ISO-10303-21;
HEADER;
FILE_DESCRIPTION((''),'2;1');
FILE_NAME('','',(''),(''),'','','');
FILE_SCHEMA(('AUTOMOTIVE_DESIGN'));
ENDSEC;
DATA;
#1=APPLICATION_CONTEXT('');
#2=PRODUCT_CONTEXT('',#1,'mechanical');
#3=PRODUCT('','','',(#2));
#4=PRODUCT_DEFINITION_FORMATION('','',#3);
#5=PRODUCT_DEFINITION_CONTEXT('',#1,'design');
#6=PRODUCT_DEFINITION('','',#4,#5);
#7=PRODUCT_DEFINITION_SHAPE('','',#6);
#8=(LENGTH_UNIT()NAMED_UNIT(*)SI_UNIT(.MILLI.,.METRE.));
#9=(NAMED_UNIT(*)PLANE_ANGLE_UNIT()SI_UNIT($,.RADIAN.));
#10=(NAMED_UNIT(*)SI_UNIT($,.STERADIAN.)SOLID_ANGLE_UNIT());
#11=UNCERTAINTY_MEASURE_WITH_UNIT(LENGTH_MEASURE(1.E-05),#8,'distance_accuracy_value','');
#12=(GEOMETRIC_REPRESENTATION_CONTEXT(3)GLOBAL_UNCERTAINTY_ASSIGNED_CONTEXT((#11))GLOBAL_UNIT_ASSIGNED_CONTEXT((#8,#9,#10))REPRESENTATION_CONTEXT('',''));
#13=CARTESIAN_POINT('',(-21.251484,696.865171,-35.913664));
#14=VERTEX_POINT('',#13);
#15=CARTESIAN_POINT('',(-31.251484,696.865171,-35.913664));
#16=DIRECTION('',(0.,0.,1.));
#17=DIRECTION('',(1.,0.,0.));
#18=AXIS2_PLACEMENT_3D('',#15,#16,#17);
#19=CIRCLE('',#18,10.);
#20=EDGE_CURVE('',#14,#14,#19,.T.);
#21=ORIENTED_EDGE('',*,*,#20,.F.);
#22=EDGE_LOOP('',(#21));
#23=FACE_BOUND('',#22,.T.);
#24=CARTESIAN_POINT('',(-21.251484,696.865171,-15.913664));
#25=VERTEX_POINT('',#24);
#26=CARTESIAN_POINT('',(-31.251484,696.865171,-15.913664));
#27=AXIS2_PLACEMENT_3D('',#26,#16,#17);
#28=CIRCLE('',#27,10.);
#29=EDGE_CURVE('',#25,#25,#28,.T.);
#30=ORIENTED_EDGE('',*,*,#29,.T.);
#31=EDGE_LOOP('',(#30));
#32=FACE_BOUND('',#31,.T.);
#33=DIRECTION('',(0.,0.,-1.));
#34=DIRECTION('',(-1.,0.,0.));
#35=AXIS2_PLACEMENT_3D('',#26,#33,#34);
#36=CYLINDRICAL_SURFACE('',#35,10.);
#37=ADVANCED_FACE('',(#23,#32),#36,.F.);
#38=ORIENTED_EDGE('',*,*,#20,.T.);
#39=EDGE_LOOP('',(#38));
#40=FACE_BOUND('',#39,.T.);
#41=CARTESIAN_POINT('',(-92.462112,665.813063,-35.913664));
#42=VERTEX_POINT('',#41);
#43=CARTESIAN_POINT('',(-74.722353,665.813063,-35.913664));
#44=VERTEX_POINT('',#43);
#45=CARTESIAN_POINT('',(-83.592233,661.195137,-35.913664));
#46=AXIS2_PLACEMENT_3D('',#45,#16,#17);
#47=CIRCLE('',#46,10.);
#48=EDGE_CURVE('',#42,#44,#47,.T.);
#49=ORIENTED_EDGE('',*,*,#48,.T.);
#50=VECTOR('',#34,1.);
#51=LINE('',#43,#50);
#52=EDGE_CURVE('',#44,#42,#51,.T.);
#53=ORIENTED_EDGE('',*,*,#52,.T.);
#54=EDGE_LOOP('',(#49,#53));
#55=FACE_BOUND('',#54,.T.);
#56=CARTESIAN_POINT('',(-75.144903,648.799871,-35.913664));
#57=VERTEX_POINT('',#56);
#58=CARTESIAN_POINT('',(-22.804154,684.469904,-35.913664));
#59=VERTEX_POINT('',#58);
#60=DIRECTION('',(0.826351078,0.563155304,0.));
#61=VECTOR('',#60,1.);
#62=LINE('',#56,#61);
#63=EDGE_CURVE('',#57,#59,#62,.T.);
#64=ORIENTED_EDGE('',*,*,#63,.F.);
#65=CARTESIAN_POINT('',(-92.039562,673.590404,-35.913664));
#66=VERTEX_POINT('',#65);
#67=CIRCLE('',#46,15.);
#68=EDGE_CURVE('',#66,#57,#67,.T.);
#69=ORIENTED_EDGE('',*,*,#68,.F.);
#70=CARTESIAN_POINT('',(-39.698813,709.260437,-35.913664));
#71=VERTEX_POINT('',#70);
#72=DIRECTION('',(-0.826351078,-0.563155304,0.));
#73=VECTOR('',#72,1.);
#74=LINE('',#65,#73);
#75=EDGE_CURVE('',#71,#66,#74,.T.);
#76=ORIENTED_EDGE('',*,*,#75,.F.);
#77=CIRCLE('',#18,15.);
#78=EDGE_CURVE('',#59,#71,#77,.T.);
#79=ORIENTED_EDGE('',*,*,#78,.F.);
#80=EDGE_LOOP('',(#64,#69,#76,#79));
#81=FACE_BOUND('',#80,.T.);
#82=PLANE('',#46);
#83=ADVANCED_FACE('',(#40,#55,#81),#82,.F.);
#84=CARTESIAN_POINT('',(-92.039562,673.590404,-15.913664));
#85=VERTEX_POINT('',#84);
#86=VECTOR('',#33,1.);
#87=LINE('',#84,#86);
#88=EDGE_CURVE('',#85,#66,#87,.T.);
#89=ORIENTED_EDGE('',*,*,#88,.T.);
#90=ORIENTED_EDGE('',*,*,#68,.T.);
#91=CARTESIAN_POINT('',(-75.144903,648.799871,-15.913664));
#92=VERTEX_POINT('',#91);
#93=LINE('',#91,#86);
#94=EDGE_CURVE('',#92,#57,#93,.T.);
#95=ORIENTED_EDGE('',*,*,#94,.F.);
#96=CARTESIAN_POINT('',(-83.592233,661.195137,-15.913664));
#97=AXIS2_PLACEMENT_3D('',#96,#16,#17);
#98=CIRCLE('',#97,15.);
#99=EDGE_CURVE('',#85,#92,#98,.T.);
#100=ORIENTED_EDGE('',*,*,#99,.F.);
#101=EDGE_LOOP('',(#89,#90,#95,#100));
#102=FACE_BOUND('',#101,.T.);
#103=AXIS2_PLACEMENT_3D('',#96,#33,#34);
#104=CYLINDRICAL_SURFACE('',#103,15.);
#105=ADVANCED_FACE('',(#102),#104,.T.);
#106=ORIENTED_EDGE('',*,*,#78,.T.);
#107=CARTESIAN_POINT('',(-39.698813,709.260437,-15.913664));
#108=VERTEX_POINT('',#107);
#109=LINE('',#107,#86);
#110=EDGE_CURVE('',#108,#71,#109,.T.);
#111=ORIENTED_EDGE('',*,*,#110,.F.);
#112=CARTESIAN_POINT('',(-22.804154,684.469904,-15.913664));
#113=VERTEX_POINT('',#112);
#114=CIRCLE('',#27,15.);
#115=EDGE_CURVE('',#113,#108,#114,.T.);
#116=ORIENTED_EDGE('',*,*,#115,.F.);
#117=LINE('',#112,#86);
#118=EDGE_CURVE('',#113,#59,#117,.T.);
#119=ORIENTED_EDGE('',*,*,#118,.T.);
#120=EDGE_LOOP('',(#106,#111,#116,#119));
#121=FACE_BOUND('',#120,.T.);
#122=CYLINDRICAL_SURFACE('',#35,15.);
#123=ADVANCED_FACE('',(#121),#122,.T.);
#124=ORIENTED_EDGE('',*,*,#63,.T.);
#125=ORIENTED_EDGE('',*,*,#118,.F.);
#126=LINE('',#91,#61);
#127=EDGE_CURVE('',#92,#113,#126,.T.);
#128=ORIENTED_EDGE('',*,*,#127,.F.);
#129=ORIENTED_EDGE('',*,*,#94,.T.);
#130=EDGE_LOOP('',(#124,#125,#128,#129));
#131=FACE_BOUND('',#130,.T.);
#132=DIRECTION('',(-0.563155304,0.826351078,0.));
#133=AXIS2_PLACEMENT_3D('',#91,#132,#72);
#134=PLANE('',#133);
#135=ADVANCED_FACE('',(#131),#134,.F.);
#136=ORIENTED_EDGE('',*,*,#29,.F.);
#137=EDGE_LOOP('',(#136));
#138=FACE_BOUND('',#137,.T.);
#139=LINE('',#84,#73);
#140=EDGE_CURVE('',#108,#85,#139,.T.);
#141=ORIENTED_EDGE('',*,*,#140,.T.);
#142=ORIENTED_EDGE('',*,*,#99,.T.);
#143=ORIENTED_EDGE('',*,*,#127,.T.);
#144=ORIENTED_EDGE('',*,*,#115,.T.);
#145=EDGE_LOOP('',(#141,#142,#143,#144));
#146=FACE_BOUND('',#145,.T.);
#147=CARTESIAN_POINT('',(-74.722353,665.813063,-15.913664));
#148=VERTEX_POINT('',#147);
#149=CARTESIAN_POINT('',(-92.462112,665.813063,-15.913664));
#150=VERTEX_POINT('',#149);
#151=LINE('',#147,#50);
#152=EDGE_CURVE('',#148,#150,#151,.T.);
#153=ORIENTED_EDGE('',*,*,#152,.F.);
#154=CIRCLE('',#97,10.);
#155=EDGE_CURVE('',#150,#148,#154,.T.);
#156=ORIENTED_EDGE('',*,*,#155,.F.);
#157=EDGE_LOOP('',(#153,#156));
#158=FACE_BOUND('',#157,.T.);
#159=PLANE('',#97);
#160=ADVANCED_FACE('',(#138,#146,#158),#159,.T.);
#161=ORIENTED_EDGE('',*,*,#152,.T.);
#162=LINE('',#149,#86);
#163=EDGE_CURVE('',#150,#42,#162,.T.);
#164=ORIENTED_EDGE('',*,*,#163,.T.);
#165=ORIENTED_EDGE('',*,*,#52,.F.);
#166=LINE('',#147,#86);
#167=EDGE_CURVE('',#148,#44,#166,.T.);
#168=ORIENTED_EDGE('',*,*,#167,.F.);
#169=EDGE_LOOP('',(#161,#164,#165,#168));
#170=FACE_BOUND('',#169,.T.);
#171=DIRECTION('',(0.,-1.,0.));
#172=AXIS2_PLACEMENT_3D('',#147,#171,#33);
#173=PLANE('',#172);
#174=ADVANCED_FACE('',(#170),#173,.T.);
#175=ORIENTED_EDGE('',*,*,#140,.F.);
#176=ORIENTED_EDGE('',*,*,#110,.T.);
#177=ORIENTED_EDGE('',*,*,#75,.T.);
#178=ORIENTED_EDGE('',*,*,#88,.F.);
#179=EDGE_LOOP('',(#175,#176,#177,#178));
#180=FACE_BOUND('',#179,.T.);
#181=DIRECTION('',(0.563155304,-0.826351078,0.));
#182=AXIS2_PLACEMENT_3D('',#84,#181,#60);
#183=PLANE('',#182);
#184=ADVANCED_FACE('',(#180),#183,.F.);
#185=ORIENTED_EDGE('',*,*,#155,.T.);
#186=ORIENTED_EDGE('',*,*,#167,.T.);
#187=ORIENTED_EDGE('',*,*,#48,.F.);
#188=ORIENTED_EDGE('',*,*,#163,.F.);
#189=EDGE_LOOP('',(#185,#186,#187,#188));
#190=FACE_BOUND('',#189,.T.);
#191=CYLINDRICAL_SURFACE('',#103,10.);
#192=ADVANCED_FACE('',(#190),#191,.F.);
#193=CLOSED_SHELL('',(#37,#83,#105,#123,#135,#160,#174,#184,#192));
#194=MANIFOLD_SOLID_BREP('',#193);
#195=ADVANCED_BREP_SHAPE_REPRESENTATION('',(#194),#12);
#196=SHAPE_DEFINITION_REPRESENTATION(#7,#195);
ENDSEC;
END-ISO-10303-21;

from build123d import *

# Parameters (mm, degrees)
SKETCH_1_R      = 10
EXTRUDE_1_DEPTH = 20


with BuildPart() as part:
    # 草图1 → 凸台-拉伸1 (new body)
    with BuildSketch(Plane.XY.offset(-35.913663537)):
        with BuildLine():
            Line((-92.03956228, 673.590403503), (-39.698813198, 709.260436791))
            ThreePointArc((-39.698813198, 709.260436791), (-18.856217474, 705.312500182), (-22.804154083, 684.469904458))
            Line((-22.804154083, 684.469904458), (-75.144903165, 648.799871169))
            ThreePointArc((-75.144903165, 648.799871169), (-95.98749889, 652.747807779), (-92.03956228, 673.590403503))
        make_face()
        with Locations((-31.251483641, 696.865170625)):
            Circle(SKETCH_1_R, mode=Mode.SUBTRACT)
        with BuildLine():
            Line((-74.722353088, 665.813062766), (-92.462112357, 665.813062766))
            ThreePointArc((-92.462112357, 665.813062766), (-83.592232723, 651.195137336), (-74.722353088, 665.813062766))
        make_face(mode=Mode.SUBTRACT)
    extrude(amount=EXTRUDE_1_DEPTH)


solid = part.part
